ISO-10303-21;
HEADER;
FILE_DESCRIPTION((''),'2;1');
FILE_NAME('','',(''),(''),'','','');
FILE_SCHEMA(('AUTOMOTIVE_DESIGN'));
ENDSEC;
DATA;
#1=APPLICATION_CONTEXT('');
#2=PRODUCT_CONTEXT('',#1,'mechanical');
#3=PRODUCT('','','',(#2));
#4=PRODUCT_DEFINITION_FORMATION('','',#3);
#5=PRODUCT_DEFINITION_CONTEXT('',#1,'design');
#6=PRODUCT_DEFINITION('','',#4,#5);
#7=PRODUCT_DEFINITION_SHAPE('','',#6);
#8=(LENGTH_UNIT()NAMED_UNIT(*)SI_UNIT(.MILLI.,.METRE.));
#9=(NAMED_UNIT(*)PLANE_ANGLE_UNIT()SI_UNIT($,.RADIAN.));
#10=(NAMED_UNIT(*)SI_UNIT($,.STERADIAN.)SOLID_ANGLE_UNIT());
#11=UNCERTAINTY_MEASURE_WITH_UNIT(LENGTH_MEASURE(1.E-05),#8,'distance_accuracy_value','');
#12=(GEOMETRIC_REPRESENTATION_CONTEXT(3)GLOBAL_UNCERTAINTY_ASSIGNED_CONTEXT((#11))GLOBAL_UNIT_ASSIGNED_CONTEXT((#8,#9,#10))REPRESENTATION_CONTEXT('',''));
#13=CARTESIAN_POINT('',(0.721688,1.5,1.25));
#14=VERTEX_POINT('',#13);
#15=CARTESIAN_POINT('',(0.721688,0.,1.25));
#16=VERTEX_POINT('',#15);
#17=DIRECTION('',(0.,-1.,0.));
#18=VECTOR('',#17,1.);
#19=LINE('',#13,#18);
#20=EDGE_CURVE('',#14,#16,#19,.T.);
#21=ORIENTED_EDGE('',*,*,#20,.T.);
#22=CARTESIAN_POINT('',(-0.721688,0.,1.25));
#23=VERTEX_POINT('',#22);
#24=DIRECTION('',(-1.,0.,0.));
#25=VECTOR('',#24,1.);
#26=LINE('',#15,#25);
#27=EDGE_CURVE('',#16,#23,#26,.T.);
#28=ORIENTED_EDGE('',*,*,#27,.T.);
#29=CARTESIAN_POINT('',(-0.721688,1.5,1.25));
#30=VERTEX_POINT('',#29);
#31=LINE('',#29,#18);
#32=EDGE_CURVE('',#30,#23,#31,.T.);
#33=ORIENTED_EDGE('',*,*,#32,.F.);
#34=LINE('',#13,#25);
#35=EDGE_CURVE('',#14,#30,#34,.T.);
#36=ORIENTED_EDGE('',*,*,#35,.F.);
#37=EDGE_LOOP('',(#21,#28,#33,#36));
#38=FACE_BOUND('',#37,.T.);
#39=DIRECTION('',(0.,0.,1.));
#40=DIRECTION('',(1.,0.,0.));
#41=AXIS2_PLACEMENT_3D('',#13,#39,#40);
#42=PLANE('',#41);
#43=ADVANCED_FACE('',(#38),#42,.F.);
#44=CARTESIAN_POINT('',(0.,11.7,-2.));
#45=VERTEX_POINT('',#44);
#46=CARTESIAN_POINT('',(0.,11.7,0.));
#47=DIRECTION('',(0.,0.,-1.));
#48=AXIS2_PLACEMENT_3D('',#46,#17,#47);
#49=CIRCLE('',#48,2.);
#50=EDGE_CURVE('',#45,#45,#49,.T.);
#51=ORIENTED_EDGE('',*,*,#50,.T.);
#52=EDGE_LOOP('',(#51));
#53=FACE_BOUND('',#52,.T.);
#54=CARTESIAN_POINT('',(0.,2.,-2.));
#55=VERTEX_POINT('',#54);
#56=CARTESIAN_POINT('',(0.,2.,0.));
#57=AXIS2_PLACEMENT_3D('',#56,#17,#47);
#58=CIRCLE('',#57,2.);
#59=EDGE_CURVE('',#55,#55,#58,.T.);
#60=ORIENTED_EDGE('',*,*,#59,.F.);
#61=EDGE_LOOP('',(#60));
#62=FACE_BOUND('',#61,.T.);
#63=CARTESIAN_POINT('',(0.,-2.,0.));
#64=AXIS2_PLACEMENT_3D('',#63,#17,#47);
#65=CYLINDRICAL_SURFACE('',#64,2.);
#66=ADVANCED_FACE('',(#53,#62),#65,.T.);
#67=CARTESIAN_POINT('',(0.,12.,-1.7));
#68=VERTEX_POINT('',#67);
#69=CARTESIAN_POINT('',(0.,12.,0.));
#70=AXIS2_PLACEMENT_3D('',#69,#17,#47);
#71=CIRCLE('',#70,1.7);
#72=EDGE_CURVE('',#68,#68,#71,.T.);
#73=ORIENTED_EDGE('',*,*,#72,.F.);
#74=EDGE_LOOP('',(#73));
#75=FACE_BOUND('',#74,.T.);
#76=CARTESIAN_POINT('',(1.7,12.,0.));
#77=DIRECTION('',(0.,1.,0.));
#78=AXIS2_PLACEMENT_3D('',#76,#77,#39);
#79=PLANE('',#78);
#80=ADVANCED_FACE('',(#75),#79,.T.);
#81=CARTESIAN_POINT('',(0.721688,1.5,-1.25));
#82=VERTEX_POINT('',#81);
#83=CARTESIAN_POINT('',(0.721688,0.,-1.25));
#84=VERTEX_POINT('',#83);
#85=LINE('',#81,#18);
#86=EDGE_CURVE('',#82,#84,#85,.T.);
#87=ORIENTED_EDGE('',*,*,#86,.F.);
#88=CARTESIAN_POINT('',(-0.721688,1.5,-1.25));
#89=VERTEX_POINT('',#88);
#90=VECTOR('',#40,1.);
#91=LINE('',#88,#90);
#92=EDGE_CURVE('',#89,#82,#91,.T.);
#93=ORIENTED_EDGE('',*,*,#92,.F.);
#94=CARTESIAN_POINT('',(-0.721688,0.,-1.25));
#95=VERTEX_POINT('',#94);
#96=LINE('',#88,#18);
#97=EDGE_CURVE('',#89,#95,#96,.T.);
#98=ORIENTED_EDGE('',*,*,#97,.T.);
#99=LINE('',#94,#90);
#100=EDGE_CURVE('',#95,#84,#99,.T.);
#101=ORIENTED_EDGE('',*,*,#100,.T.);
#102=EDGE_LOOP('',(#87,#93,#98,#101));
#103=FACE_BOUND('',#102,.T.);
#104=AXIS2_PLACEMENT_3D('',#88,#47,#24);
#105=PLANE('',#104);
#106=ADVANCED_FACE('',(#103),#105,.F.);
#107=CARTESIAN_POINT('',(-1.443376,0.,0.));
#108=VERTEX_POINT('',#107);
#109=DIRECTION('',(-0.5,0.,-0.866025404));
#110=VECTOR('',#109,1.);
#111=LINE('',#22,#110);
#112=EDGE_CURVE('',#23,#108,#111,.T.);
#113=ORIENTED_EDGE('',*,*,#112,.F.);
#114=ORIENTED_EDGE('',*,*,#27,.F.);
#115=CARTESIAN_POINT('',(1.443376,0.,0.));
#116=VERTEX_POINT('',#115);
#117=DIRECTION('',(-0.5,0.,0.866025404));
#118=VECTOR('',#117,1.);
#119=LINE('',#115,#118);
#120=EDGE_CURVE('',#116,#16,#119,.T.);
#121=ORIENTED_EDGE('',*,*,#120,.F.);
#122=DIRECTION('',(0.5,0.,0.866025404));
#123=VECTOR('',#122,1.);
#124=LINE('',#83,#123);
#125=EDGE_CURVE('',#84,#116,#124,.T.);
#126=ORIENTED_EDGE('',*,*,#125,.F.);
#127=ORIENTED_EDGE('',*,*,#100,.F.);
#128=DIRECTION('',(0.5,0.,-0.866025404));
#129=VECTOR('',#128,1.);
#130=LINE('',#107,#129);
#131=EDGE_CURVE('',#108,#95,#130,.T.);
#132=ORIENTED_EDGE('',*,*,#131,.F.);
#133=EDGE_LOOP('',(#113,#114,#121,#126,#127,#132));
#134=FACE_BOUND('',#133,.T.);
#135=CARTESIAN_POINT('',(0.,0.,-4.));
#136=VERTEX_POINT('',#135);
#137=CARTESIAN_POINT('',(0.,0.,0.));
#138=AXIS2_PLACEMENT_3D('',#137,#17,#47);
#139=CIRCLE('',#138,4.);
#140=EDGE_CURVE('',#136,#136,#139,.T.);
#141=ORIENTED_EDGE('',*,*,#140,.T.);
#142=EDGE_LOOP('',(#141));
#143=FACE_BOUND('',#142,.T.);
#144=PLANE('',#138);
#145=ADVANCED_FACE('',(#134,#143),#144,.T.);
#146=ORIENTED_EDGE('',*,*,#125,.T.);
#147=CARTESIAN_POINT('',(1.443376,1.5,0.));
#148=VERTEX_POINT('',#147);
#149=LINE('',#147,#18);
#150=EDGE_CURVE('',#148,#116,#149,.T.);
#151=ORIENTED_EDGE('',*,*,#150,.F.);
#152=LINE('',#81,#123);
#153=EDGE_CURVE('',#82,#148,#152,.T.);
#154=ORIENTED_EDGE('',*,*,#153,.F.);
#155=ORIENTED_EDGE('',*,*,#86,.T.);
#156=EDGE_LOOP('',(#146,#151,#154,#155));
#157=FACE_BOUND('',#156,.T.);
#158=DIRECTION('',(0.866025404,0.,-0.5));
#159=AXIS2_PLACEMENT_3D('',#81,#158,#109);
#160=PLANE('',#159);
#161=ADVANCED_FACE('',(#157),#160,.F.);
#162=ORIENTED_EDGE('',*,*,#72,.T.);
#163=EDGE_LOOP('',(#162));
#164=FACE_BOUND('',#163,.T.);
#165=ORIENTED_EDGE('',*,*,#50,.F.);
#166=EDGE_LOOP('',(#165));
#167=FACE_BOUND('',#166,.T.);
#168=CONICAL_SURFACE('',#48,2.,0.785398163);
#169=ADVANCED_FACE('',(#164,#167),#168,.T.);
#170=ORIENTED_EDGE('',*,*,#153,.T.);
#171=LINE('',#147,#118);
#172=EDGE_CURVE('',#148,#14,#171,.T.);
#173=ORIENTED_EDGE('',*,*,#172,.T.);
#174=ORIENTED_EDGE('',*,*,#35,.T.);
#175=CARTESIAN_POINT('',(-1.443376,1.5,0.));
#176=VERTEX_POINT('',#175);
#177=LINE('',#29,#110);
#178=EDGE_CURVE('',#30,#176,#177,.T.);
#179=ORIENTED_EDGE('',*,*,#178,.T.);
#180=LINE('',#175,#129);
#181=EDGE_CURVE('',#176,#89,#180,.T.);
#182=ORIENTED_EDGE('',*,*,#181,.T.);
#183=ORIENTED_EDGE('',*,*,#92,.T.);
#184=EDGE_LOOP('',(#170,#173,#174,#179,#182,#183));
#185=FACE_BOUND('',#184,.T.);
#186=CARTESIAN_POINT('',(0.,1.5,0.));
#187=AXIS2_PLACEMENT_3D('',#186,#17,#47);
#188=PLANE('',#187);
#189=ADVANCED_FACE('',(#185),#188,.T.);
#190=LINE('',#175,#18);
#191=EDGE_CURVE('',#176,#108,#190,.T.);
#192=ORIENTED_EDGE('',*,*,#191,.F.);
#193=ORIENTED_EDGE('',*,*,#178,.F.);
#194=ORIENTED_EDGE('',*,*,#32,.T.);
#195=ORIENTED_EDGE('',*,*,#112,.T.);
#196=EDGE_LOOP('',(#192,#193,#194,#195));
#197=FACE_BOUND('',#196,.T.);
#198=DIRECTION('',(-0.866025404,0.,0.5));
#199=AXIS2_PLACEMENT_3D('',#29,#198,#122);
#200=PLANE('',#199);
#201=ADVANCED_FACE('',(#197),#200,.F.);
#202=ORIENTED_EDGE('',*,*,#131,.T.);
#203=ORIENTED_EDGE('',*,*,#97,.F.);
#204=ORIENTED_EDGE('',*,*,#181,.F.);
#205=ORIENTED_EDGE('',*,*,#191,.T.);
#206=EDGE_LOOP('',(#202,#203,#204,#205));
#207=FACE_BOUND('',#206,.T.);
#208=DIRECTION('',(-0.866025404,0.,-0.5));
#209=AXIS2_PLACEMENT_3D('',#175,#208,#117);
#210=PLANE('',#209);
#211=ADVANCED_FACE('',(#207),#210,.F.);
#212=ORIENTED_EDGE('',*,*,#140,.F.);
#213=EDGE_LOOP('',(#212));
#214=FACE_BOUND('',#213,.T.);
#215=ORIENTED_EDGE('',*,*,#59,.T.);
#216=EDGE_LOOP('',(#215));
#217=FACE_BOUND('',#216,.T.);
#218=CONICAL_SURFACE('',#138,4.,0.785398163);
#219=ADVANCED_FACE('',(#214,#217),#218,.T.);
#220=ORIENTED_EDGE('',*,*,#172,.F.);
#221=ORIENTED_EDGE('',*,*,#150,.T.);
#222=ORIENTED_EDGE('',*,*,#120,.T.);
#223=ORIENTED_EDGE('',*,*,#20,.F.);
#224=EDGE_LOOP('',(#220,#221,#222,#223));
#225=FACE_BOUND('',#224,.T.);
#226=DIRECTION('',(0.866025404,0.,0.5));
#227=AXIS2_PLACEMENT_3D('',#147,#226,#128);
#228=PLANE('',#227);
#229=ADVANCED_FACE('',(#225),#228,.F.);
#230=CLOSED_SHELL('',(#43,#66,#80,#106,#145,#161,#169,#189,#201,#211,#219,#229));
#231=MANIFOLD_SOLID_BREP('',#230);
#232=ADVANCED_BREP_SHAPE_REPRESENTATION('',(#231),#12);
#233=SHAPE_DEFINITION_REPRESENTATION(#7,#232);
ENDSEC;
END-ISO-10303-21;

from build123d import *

# Parameters (mm, degrees)
CUT_EXTRUDE_316_DEPTH = 1.5


with BuildPart() as part:
    # Sketch 184 → Revolve 217 (revolve)
    with BuildSketch(Plane.XY, mode=Mode.PRIVATE) as revolve_217_sk:
        Polygon((0, 0), (4, 0), (2, 2), (2, 11.7), (1.7, 12), (0, 12), align=None)
    revolve(revolve_217_sk.sketch.rotate(Axis((0, -2, 0), (0, 1, 0)), 90), axis=Axis((0, -2, 0), (0, 1, 0)))

    # Sketch 268 → Cut-Extrude 316 (cut)
    with BuildSketch(Plane.XZ):
        Polygon((1.443375673, 0), (0.721687836, 1.25), (-0.721687836, 1.25), (-1.443375673, 0), (-0.721687836, -1.25), (0.721687836, -1.25), align=None)
    extrude(amount=-CUT_EXTRUDE_316_DEPTH, mode=Mode.SUBTRACT)


solid = part.part
